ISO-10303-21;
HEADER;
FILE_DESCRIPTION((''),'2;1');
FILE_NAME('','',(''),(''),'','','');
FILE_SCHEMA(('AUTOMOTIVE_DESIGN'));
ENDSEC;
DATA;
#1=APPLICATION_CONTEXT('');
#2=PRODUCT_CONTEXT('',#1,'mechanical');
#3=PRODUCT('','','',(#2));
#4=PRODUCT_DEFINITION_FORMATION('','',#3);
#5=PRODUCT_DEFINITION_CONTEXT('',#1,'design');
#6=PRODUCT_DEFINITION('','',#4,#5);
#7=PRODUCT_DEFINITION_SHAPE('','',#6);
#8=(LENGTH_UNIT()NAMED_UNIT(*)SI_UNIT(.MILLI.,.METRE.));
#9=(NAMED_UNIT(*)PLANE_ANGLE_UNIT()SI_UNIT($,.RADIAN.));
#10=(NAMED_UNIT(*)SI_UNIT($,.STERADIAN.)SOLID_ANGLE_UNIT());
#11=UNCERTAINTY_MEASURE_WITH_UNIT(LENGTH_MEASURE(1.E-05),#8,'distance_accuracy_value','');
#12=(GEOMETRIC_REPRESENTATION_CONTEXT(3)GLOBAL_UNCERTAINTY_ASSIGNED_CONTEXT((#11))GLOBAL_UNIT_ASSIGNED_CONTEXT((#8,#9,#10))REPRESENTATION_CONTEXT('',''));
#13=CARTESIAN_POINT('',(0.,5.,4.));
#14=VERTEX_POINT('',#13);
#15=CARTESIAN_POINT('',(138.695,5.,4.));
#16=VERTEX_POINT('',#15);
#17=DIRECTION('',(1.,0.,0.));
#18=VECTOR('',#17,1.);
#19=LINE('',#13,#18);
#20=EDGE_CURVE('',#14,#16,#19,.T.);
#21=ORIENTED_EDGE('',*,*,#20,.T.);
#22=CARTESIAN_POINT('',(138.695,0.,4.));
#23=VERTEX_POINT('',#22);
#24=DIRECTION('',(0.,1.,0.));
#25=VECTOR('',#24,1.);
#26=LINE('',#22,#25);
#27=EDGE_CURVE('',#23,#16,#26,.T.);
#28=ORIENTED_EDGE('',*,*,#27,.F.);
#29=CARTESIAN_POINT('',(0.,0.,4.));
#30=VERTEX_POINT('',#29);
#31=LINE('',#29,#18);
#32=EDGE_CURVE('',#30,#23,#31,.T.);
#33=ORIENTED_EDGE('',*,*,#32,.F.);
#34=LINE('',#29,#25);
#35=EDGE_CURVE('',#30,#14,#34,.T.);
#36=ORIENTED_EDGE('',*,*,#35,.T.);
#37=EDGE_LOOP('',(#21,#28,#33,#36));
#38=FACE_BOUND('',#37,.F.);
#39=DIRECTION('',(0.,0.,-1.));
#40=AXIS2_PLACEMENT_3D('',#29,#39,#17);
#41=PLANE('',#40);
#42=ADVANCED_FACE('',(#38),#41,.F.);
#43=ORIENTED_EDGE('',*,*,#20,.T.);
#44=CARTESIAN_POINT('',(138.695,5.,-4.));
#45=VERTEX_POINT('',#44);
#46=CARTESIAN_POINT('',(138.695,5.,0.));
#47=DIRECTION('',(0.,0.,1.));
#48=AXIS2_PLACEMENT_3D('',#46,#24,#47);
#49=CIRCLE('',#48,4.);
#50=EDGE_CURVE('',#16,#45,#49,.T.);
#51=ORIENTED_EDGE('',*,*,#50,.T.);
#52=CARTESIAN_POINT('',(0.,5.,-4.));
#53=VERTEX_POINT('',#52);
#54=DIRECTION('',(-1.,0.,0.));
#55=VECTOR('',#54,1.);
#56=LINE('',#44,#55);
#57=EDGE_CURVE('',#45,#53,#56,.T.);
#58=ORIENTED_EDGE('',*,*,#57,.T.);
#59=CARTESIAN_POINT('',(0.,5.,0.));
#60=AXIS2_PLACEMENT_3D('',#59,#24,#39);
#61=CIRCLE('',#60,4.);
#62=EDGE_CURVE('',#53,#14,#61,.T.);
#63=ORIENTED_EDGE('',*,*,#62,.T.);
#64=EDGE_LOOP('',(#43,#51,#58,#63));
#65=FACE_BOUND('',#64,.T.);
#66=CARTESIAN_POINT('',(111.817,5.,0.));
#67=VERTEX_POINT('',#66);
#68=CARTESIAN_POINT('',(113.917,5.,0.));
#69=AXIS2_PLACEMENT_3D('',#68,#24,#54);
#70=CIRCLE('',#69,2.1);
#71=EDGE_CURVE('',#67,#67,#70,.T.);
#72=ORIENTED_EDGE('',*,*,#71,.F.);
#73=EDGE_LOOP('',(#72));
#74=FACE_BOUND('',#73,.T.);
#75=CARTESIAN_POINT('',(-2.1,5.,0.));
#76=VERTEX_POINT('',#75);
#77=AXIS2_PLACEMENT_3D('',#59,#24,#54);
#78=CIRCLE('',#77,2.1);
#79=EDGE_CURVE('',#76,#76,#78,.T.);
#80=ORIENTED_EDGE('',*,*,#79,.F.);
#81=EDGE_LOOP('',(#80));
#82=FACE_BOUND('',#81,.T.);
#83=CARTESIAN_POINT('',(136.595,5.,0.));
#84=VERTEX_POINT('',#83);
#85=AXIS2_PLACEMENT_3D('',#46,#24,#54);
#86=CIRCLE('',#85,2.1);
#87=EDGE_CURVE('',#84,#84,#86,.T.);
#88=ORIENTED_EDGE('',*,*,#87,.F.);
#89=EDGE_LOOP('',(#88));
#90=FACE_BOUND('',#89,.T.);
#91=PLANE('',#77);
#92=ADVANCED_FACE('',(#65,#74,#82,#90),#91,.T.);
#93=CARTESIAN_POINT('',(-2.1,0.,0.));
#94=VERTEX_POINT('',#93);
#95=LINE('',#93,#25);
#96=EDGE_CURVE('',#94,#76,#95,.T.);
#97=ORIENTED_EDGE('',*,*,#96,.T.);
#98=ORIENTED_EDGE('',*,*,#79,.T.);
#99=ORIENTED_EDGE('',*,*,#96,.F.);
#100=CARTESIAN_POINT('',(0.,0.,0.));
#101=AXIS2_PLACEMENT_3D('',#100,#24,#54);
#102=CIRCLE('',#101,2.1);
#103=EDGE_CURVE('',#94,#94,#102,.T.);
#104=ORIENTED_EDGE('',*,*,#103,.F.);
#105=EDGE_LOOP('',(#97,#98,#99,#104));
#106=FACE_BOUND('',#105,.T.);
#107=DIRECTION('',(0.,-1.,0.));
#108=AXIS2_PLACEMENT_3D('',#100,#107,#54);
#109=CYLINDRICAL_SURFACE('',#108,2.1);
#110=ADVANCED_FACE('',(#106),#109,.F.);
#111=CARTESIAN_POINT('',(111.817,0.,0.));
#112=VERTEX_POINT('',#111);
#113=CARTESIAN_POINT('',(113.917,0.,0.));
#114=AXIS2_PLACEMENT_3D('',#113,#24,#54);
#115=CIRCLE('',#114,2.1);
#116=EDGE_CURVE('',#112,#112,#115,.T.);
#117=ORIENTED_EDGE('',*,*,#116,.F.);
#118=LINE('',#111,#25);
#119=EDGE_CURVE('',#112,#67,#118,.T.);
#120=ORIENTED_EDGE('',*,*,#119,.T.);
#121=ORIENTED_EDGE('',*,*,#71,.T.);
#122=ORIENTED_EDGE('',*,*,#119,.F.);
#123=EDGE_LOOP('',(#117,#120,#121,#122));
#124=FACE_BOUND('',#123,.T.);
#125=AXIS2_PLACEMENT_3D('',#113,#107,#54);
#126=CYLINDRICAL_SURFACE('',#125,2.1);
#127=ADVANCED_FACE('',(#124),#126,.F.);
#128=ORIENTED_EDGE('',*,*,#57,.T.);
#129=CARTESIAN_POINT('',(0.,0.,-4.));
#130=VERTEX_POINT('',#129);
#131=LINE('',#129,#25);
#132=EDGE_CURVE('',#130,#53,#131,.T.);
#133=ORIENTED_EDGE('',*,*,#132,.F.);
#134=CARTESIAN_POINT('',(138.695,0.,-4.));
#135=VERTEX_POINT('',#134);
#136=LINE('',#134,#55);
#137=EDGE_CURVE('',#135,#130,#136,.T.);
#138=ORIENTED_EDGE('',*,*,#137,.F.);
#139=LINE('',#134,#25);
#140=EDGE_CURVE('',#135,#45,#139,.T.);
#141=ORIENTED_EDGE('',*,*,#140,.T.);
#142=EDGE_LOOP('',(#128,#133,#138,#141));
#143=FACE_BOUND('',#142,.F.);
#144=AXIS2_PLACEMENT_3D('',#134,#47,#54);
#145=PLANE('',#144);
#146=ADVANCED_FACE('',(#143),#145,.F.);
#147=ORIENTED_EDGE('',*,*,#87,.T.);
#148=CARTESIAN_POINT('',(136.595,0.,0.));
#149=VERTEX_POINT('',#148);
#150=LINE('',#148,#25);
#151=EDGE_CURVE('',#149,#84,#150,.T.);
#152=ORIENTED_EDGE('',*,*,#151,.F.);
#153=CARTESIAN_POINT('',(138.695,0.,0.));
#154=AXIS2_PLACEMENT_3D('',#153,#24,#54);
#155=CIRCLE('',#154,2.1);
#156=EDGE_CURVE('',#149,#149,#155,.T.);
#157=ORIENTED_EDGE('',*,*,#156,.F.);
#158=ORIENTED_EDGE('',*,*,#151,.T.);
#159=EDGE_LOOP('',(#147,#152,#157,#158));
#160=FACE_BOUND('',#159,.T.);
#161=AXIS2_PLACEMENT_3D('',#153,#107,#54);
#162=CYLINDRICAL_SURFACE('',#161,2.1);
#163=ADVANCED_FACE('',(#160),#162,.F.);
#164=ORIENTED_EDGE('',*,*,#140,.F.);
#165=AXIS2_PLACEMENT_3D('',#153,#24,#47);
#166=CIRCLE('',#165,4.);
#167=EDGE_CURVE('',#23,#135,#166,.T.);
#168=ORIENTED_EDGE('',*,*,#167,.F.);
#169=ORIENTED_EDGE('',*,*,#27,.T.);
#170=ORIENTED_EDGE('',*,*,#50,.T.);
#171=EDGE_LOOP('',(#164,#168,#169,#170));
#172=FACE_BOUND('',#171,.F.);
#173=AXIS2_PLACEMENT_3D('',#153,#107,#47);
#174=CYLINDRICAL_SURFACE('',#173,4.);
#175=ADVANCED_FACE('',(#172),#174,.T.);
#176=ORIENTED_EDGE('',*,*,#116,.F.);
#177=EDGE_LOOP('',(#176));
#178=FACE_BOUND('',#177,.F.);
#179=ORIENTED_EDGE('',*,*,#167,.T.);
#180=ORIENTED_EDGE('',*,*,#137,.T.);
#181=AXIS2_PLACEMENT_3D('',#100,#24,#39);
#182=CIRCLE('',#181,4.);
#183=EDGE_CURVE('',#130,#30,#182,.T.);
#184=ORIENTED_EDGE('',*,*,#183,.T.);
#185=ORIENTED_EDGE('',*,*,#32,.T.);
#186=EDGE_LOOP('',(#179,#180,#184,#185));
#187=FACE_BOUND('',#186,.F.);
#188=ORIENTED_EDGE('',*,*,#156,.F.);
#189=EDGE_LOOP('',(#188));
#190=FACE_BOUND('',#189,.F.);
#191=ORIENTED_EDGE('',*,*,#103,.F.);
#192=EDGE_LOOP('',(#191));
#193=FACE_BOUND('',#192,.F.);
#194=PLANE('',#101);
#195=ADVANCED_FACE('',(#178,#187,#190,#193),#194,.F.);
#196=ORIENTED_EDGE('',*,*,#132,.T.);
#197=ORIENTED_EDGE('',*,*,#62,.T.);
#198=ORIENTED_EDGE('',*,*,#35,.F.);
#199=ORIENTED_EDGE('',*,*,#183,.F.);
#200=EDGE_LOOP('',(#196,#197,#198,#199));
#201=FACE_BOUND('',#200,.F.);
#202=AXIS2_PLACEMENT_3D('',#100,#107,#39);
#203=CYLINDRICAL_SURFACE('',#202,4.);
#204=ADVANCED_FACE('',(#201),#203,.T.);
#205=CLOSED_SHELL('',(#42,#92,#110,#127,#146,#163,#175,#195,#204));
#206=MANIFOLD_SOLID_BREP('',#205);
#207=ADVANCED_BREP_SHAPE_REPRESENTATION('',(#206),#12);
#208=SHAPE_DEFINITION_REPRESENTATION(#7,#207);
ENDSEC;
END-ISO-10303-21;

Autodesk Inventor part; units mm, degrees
ref_plane "YZ Plane" through (0, 0, 0) normal (1, 0, 0) x (0, 1, 0)
ref_plane "XZ Plane" through (0, 0, 0) normal (0, 1, 0) x (-1, 0, 0)
ref_plane "XY Plane" through (0, 0, 0) normal (0, 0, 1) x (1, 0, 0)
sketch "Sketch1" plane through (0, 0, 0) normal (0, 1, 0) x (-1, 0, 0)
  line L0 (0, 0) -> (-138.695, 0) construction
  line L1 (0, 4) -> (-138.695, 4)
  line L2 (-138.695, -4) -> (0, -4)
  arc A0 (0, -4) -> (0, 4) centre (0, 0) ccw
  arc A1 (-138.695, 4) -> (-138.695, -4) centre (-138.695, 0) ccw
  circle A2 centre (0, 0) radius 2.1
  circle A3 centre (-138.695, 0) radius 2.1
  circle A4 centre (-113.917, 0) radius 2.1
  point P0 (-69.3475, 0)
  dimension "d0" = 138.695
  dimension "d1" = 8
  dimension "d2" = 4.2
  dimension "d10" = 4.2
  dimension "d28" = 4.2
  dimension "d29" = 113.917
extrude "Extrusion1" add sketch "Sketch1" along normal blind 5
